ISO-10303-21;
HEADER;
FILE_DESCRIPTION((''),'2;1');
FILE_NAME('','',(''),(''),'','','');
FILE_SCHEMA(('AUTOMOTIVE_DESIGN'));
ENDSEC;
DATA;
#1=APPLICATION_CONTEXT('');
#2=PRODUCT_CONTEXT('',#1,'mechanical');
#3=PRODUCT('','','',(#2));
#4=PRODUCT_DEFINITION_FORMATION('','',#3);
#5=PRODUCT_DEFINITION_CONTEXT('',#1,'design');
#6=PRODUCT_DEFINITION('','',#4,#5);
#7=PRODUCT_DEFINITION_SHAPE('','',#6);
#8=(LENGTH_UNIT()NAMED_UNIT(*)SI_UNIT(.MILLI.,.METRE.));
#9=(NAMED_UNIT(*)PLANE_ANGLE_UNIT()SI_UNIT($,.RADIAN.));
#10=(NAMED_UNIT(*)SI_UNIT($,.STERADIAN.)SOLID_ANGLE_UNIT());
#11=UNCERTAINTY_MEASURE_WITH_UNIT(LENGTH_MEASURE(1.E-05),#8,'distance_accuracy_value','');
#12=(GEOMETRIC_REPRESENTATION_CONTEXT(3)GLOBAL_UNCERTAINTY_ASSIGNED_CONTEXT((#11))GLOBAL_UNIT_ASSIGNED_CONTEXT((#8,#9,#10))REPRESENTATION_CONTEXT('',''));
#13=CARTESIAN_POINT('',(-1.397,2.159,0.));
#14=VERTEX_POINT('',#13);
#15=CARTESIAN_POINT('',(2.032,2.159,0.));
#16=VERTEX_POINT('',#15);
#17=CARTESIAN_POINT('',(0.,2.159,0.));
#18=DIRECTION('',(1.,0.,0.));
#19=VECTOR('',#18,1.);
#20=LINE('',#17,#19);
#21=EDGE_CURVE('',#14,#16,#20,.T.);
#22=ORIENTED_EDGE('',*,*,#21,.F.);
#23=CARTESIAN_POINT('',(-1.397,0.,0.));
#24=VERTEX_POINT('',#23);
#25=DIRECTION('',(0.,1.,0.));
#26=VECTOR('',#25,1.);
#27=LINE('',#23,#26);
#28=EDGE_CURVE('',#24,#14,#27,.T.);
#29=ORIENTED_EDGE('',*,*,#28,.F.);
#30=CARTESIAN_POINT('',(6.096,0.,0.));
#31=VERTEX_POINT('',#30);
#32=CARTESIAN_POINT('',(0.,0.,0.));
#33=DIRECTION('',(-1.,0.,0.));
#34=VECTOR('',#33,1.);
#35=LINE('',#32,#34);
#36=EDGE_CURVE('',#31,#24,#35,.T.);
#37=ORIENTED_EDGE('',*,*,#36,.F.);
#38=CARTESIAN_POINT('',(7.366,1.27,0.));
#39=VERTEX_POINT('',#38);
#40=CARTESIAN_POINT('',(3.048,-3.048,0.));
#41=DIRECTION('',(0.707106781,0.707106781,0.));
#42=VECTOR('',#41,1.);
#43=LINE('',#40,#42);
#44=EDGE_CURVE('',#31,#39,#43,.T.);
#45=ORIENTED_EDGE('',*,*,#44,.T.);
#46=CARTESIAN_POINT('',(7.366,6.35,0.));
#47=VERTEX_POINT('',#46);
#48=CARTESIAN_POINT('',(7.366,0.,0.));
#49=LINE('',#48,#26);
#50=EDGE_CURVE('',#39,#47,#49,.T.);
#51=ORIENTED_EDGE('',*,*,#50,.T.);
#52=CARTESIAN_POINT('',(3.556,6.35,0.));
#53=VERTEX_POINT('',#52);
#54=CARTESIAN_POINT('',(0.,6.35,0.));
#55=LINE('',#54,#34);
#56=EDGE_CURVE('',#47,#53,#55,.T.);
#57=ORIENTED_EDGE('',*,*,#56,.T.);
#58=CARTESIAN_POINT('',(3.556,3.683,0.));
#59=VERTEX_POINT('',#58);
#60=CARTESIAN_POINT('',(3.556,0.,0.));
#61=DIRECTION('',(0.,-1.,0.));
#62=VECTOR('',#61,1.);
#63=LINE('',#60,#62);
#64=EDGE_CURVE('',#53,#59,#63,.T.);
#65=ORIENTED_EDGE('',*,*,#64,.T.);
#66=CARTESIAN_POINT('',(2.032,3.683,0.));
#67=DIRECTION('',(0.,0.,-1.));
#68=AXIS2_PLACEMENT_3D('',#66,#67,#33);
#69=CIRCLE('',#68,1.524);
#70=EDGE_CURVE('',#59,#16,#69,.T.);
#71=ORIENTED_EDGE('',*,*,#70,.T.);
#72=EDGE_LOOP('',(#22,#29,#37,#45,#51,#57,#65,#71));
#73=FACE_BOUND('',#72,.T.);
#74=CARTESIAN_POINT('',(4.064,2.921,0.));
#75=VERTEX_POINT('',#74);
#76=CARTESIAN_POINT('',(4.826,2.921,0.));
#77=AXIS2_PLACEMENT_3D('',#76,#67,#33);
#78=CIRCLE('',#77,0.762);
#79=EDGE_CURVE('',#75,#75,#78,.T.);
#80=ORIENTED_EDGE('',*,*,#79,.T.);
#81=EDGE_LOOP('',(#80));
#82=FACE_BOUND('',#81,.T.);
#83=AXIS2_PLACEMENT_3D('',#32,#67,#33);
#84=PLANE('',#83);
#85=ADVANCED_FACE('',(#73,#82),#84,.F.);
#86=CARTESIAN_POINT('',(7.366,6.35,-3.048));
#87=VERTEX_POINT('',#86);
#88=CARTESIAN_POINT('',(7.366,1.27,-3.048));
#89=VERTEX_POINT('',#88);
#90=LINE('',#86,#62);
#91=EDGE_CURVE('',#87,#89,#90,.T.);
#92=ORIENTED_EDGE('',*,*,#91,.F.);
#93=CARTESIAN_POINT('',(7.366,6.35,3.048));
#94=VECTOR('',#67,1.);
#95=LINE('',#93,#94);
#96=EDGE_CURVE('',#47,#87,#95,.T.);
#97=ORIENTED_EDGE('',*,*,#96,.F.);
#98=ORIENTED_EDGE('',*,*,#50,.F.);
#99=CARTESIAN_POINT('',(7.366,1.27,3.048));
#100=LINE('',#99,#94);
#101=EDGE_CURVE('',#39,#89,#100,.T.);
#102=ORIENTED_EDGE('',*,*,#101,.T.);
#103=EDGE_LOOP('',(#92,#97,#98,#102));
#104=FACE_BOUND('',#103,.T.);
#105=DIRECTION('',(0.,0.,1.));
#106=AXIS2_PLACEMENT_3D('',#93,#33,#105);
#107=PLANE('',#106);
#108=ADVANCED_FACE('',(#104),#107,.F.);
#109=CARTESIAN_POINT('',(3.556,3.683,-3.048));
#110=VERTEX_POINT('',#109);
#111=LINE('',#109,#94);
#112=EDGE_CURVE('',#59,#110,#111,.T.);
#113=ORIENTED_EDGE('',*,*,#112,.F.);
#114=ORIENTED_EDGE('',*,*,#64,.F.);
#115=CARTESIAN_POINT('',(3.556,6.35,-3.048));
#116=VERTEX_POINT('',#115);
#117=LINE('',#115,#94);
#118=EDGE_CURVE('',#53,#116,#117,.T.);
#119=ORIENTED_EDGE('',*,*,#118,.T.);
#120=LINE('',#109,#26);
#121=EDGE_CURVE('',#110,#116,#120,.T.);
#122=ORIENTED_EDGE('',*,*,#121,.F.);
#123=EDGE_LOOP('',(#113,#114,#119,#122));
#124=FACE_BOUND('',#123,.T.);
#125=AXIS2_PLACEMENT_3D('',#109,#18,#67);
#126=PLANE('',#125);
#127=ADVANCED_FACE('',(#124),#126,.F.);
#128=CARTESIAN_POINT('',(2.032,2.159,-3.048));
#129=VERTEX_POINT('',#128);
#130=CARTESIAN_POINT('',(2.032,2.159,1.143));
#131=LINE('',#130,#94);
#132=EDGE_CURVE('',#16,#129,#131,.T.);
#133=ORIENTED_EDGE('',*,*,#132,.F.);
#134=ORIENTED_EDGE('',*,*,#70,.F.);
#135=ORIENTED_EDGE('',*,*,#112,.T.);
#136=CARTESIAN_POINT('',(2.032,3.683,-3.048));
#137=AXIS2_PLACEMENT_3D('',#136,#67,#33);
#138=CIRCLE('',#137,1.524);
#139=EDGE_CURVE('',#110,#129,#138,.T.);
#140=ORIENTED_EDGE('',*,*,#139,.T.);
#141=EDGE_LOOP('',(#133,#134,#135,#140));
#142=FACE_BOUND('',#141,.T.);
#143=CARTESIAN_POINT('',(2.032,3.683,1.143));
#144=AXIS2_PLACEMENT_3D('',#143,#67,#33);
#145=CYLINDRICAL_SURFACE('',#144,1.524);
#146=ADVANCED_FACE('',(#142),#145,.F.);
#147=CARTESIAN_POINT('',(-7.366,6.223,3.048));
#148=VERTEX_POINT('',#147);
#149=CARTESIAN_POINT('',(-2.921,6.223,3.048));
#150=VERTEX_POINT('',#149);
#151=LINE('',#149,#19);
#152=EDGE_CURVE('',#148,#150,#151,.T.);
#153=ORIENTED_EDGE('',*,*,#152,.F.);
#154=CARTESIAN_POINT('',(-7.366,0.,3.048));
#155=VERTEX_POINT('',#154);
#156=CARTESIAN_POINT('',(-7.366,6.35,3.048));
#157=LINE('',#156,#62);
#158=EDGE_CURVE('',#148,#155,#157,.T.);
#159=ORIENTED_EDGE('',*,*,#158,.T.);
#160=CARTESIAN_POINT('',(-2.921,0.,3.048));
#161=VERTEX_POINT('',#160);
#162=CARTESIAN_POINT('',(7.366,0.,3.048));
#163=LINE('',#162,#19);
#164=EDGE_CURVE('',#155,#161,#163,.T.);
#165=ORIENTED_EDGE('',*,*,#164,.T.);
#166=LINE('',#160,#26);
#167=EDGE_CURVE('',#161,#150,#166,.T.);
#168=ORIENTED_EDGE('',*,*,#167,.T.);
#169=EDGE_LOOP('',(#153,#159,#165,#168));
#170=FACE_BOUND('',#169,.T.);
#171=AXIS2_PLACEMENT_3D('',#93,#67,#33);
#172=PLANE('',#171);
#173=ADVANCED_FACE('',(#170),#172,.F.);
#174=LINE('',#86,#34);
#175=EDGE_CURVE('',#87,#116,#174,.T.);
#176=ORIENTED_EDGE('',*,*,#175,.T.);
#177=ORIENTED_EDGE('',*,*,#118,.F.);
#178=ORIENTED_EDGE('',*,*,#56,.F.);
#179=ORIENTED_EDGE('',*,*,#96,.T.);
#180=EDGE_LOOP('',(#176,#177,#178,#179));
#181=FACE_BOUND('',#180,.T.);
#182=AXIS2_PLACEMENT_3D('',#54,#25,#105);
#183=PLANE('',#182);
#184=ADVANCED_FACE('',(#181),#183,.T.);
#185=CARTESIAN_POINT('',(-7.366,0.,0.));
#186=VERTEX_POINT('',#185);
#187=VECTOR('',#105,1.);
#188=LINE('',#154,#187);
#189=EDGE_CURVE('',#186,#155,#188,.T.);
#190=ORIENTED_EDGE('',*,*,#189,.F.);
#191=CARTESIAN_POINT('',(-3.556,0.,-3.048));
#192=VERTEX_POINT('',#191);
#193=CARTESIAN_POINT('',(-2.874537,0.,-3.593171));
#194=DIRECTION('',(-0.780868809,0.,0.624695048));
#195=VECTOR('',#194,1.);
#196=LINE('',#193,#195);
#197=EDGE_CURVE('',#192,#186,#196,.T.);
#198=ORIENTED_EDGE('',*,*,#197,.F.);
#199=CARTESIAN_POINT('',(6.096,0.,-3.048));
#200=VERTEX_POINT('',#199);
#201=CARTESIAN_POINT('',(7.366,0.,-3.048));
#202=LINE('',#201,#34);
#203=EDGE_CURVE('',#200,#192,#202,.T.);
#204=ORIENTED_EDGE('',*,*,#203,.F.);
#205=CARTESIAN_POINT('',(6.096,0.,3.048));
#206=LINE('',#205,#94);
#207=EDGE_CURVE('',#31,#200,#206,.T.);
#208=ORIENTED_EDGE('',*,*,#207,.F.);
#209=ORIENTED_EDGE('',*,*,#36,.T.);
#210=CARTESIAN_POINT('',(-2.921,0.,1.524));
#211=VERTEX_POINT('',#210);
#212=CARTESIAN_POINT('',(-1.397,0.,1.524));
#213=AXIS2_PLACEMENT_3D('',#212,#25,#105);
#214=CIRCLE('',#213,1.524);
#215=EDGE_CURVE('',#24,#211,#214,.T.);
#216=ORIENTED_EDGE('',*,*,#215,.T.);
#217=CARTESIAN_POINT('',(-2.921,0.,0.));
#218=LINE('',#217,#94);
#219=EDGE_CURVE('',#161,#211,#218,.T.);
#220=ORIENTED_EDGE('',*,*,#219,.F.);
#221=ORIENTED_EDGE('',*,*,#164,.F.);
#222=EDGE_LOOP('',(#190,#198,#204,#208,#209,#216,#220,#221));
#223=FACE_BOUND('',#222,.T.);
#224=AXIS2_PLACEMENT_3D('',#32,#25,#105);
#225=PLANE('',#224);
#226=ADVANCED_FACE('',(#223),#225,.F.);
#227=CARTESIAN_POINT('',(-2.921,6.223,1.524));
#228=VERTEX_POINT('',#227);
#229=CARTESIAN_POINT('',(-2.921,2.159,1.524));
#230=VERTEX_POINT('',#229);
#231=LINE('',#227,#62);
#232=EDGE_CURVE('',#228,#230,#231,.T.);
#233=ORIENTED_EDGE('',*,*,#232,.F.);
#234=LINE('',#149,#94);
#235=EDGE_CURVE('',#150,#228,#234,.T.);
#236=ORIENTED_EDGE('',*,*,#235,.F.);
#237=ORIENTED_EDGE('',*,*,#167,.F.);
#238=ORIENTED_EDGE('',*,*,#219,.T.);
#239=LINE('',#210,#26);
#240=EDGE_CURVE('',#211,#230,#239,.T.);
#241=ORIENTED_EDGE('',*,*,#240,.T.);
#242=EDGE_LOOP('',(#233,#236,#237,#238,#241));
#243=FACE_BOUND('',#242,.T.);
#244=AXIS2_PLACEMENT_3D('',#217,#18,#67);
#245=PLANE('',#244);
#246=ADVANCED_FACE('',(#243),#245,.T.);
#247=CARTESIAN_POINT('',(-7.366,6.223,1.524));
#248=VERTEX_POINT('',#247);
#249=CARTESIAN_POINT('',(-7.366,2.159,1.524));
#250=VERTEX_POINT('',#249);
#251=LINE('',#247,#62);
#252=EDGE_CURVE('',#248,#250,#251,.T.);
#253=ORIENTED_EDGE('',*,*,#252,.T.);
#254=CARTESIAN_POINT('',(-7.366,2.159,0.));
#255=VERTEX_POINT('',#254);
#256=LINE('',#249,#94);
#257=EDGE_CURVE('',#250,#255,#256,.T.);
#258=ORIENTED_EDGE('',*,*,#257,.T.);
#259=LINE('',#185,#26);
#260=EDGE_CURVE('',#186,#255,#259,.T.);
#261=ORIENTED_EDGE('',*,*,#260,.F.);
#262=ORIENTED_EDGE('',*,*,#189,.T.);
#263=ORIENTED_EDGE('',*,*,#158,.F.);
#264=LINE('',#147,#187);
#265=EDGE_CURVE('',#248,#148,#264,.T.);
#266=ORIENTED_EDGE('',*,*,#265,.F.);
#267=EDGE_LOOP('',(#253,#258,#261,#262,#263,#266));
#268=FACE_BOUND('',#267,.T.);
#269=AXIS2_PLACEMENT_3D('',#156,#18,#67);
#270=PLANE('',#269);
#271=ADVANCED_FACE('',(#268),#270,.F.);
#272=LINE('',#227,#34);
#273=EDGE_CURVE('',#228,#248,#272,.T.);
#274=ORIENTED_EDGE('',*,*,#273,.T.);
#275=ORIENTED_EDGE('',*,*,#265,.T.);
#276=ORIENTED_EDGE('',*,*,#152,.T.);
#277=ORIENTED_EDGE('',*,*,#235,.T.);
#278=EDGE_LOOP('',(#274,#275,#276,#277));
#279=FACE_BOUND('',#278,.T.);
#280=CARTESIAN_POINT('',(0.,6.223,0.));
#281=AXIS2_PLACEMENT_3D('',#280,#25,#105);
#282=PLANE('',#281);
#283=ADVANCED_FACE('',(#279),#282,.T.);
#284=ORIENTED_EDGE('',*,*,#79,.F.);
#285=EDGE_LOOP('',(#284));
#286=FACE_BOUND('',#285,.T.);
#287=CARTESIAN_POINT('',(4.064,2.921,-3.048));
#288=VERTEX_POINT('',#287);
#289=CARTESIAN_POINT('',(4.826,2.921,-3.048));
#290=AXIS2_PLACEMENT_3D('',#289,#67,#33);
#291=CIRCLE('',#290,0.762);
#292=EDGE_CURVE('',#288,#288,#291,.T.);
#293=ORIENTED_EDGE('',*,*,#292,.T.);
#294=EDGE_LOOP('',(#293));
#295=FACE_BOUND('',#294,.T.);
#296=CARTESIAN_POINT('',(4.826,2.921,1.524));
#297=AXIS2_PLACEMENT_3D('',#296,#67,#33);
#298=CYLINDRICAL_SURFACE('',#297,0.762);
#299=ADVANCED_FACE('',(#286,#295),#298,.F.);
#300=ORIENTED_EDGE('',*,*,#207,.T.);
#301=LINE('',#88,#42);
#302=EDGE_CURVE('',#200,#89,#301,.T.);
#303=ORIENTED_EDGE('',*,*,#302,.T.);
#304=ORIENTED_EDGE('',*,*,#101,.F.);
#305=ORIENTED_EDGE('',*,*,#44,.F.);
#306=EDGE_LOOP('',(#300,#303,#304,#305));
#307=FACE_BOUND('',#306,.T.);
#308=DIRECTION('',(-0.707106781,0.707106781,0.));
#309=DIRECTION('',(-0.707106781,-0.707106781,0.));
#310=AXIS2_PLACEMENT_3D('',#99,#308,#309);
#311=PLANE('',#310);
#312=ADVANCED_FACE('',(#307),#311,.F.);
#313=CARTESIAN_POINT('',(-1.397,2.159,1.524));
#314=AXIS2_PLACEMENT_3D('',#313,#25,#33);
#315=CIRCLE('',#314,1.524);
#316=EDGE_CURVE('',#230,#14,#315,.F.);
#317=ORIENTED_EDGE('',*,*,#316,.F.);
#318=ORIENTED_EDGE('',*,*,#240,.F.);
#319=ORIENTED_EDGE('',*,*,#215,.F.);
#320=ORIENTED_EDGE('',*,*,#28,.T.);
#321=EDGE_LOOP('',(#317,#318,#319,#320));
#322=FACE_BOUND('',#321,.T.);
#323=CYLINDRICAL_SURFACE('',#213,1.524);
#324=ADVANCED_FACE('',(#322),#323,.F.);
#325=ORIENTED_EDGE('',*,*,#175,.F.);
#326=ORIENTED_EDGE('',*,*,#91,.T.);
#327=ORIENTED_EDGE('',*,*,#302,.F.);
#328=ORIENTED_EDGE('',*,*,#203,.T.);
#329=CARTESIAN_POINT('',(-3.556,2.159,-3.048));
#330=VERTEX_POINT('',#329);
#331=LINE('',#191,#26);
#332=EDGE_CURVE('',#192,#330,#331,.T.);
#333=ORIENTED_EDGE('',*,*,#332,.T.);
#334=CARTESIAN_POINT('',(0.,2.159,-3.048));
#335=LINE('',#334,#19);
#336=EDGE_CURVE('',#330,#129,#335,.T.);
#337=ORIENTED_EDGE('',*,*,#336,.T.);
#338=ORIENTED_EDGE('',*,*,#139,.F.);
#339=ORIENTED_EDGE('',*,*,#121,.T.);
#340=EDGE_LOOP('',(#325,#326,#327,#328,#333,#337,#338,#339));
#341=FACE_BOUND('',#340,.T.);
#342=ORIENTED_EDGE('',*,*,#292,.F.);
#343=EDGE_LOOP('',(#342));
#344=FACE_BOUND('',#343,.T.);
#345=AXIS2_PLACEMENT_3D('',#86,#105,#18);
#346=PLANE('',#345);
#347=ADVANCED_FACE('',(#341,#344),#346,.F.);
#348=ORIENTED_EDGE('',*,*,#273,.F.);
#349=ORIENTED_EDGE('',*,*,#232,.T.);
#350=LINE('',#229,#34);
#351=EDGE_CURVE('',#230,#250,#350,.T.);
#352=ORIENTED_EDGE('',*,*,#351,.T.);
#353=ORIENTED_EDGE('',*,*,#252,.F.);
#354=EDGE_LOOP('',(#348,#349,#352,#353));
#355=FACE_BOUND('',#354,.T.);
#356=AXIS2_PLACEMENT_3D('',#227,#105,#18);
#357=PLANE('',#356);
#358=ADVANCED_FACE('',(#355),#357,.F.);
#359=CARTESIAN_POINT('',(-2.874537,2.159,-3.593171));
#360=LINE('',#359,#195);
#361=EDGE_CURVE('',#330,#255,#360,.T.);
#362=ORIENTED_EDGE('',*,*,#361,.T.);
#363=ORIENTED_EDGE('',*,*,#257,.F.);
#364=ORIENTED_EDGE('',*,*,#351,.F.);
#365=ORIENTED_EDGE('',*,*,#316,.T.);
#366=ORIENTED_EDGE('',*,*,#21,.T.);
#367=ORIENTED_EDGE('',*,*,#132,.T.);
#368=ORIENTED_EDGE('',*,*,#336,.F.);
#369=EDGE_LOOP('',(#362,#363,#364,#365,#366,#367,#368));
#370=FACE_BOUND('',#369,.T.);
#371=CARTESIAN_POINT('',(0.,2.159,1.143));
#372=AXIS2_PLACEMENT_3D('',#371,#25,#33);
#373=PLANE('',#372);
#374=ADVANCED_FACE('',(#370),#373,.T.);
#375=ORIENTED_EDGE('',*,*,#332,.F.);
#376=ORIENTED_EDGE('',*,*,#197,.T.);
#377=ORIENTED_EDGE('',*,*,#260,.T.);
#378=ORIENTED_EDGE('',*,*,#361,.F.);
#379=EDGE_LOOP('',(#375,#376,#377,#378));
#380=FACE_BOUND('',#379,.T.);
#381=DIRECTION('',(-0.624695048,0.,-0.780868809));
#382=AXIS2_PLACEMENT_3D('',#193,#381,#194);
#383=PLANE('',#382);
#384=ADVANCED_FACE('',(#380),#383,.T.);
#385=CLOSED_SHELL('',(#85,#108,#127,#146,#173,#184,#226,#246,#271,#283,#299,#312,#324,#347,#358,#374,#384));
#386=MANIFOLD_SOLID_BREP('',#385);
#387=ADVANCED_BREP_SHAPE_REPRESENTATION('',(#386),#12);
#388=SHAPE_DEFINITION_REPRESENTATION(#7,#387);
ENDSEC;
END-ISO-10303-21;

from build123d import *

# Parameters (mm, degrees)
SKETCH1_W           = 14.732
SKETCH1_H           = 6.096
BOSS_EXTRUDE1_DEPTH = 6.35
CUT_EXTRUDE2_DEPTH  = 7.35
SKETCH3_W           = 10.922
SKETCH3_H           = 6.096
CUT_EXTRUDE1_DEPTH  = 2.667
CUT_EXTRUDE3_DEPTH  = 4.683
SKETCH9_W           = 4.445
SKETCH9_H           = 1.524
BOSS_EXTRUDE2_DEPTH = 2.54
CUT_EXTRUDE4_DEPTH  = 7.096
CUT_EXTRUDE5_DEPTH  = 4.191
SKETCH15_W          = 0.048393345
SKETCH15_H          = 1.524
CUT_EXTRUDE10_DEPTH = 2.905
SKETCH13_W          = 4.445
SKETCH13_H          = 1.524
CUT_EXTRUDE11_DEPTH = 4.572
SKETCH16_R          = 0.762
CUT_EXTRUDE12_DEPTH = 4.572


with BuildPart() as part:
    # Sketch1 → Boss-Extrude1 (new body)
    with BuildSketch(Plane(origin=(0, 0, 0), x_dir=(1, 0, 0), z_dir=(0, 1, 0))):
        Rectangle(SKETCH1_W, SKETCH1_H)
    extrude(amount=BOSS_EXTRUDE1_DEPTH)

    # Sketch4 → Cut-Extrude2 (cut, through all)
    with BuildSketch(Plane(origin=(0, 6.35, 0), x_dir=(1, 0, 0), z_dir=(0, 1, 0))):
        with BuildLine():
            Line((7.366, 0), (-1.397, 0))
            ThreePointArc((-1.397, 0), (-0.319369265, -0.446369265), (0.127, -1.524))
            ThreePointArc((0.127, -1.524), (-0.319369265, -2.601630735), (-1.397, -3.048))
            Line((-1.397, -3.048), (7.366, -3.048))
            Line((7.366, -3.048), (7.366, 0))
        make_face()
        with BuildLine():
            ThreePointArc((0.127, -1.524), (-0.319369265, -0.446369265), (-1.397, 0))
            Line((-1.397, 0), (-1.397, -3.048))
            ThreePointArc((-1.397, -3.048), (-0.319369265, -2.601630735), (0.127, -1.524))
        make_face()
        with BuildLine():
            Line((-1.397, -3.048), (-1.397, 0))
            ThreePointArc((-1.397, 0), (-2.474630735, -0.446369265), (-2.921, -1.524))
            ThreePointArc((-2.921, -1.524), (-2.474630735, -2.601630735), (-1.397, -3.048))
        make_face()
        with BuildLine():
            ThreePointArc((-1.397, -3.048), (-2.474630735, -2.601630735), (-2.921, -1.524))
            Line((-2.921, -1.524), (-2.921, -3.048))
            Line((-2.921, -3.048), (-1.397, -3.048))
        make_face()
    extrude(amount=-CUT_EXTRUDE2_DEPTH, mode=Mode.SUBTRACT)

    # Sketch3 → Cut-Extrude1 (cut)
    with BuildSketch(Plane(origin=(0, 6.35, 0), x_dir=(1, 0, 0), z_dir=(0, 1, 0))):
        with Locations((-1.905, 0)):
            Rectangle(SKETCH3_W, SKETCH3_H)
    extrude(amount=-CUT_EXTRUDE1_DEPTH, mode=Mode.SUBTRACT)

    # Sketch8 → Cut-Extrude3 (cut, through all)
    with BuildSketch(Plane(origin=(0, 3.683, 0), x_dir=(1, 0, 0), z_dir=(0, 1, 0))):
        Polygon((-7.366, 0), (-3.556, 3.048), (-7.366, 3.048), align=None)
    extrude(amount=-CUT_EXTRUDE3_DEPTH, mode=Mode.SUBTRACT)

    # Sketch9 → Boss-Extrude2 (add)
    with BuildSketch(Plane(origin=(0, 3.683, 0), x_dir=(1, 0, 0), z_dir=(0, 1, 0))):
        with Locations((-5.1435, -2.286)):
            Rectangle(SKETCH9_W, SKETCH9_H)
    extrude(amount=BOSS_EXTRUDE2_DEPTH)

    # Sketch10 → Cut-Extrude4 (cut, through all)
    with BuildSketch(Plane(origin=(0, 0, -3.048), x_dir=(-1, 0, 0), z_dir=(0, 0, -1))):
        Polygon((-7.366, 1.27), (-6.096, 0), (-7.366, 0), align=None)
    extrude(amount=-CUT_EXTRUDE4_DEPTH, mode=Mode.SUBTRACT)

    # Sketch12 → Cut-Extrude5 (cut)
    with BuildSketch(Plane(origin=(0, 0, -3.048), x_dir=(-1, 0, 0), z_dir=(0, 0, -1))):
        with BuildLine():
            ThreePointArc((-3.556, 3.683), (-3.109630735, 2.605369265), (-2.032, 2.159))
            Line((-2.032, 2.159), (2.921, 2.159))
            Line((2.921, 2.159), (2.921, 3.683))
            Line((2.921, 3.683), (-3.556, 3.683))
        make_face()
    extrude(amount=-CUT_EXTRUDE5_DEPTH, mode=Mode.SUBTRACT)

    # Sketch15 → Cut-Extrude10 (cut, through all)
    with BuildSketch(Plane(origin=(0, 0, 1.143), x_dir=(-1, 0, 0), z_dir=(0, 0, -1))):
        with Locations((2.896803328, 2.921)):
            Rectangle(SKETCH15_W, SKETCH15_H)
    extrude(amount=-CUT_EXTRUDE10_DEPTH, mode=Mode.SUBTRACT)

    # Sketch13 → Cut-Extrude11 (cut)
    with BuildSketch(Plane(origin=(0, 0, -3.048), x_dir=(-1, 0, 0), z_dir=(0, 0, -1))):
        with Locations((5.1435, 2.921)):
            Rectangle(SKETCH13_W, SKETCH13_H)
    extrude(amount=-CUT_EXTRUDE11_DEPTH, mode=Mode.SUBTRACT)

    # Sketch16 → Cut-Extrude12 (cut)
    with BuildSketch(Plane(origin=(0, 0, -3.048), x_dir=(-1, 0, 0), z_dir=(0, 0, -1))):
        with Locations((-4.826, 2.921)):
            Circle(SKETCH16_R)
    extrude(amount=-CUT_EXTRUDE12_DEPTH, mode=Mode.SUBTRACT)


solid = part.part
